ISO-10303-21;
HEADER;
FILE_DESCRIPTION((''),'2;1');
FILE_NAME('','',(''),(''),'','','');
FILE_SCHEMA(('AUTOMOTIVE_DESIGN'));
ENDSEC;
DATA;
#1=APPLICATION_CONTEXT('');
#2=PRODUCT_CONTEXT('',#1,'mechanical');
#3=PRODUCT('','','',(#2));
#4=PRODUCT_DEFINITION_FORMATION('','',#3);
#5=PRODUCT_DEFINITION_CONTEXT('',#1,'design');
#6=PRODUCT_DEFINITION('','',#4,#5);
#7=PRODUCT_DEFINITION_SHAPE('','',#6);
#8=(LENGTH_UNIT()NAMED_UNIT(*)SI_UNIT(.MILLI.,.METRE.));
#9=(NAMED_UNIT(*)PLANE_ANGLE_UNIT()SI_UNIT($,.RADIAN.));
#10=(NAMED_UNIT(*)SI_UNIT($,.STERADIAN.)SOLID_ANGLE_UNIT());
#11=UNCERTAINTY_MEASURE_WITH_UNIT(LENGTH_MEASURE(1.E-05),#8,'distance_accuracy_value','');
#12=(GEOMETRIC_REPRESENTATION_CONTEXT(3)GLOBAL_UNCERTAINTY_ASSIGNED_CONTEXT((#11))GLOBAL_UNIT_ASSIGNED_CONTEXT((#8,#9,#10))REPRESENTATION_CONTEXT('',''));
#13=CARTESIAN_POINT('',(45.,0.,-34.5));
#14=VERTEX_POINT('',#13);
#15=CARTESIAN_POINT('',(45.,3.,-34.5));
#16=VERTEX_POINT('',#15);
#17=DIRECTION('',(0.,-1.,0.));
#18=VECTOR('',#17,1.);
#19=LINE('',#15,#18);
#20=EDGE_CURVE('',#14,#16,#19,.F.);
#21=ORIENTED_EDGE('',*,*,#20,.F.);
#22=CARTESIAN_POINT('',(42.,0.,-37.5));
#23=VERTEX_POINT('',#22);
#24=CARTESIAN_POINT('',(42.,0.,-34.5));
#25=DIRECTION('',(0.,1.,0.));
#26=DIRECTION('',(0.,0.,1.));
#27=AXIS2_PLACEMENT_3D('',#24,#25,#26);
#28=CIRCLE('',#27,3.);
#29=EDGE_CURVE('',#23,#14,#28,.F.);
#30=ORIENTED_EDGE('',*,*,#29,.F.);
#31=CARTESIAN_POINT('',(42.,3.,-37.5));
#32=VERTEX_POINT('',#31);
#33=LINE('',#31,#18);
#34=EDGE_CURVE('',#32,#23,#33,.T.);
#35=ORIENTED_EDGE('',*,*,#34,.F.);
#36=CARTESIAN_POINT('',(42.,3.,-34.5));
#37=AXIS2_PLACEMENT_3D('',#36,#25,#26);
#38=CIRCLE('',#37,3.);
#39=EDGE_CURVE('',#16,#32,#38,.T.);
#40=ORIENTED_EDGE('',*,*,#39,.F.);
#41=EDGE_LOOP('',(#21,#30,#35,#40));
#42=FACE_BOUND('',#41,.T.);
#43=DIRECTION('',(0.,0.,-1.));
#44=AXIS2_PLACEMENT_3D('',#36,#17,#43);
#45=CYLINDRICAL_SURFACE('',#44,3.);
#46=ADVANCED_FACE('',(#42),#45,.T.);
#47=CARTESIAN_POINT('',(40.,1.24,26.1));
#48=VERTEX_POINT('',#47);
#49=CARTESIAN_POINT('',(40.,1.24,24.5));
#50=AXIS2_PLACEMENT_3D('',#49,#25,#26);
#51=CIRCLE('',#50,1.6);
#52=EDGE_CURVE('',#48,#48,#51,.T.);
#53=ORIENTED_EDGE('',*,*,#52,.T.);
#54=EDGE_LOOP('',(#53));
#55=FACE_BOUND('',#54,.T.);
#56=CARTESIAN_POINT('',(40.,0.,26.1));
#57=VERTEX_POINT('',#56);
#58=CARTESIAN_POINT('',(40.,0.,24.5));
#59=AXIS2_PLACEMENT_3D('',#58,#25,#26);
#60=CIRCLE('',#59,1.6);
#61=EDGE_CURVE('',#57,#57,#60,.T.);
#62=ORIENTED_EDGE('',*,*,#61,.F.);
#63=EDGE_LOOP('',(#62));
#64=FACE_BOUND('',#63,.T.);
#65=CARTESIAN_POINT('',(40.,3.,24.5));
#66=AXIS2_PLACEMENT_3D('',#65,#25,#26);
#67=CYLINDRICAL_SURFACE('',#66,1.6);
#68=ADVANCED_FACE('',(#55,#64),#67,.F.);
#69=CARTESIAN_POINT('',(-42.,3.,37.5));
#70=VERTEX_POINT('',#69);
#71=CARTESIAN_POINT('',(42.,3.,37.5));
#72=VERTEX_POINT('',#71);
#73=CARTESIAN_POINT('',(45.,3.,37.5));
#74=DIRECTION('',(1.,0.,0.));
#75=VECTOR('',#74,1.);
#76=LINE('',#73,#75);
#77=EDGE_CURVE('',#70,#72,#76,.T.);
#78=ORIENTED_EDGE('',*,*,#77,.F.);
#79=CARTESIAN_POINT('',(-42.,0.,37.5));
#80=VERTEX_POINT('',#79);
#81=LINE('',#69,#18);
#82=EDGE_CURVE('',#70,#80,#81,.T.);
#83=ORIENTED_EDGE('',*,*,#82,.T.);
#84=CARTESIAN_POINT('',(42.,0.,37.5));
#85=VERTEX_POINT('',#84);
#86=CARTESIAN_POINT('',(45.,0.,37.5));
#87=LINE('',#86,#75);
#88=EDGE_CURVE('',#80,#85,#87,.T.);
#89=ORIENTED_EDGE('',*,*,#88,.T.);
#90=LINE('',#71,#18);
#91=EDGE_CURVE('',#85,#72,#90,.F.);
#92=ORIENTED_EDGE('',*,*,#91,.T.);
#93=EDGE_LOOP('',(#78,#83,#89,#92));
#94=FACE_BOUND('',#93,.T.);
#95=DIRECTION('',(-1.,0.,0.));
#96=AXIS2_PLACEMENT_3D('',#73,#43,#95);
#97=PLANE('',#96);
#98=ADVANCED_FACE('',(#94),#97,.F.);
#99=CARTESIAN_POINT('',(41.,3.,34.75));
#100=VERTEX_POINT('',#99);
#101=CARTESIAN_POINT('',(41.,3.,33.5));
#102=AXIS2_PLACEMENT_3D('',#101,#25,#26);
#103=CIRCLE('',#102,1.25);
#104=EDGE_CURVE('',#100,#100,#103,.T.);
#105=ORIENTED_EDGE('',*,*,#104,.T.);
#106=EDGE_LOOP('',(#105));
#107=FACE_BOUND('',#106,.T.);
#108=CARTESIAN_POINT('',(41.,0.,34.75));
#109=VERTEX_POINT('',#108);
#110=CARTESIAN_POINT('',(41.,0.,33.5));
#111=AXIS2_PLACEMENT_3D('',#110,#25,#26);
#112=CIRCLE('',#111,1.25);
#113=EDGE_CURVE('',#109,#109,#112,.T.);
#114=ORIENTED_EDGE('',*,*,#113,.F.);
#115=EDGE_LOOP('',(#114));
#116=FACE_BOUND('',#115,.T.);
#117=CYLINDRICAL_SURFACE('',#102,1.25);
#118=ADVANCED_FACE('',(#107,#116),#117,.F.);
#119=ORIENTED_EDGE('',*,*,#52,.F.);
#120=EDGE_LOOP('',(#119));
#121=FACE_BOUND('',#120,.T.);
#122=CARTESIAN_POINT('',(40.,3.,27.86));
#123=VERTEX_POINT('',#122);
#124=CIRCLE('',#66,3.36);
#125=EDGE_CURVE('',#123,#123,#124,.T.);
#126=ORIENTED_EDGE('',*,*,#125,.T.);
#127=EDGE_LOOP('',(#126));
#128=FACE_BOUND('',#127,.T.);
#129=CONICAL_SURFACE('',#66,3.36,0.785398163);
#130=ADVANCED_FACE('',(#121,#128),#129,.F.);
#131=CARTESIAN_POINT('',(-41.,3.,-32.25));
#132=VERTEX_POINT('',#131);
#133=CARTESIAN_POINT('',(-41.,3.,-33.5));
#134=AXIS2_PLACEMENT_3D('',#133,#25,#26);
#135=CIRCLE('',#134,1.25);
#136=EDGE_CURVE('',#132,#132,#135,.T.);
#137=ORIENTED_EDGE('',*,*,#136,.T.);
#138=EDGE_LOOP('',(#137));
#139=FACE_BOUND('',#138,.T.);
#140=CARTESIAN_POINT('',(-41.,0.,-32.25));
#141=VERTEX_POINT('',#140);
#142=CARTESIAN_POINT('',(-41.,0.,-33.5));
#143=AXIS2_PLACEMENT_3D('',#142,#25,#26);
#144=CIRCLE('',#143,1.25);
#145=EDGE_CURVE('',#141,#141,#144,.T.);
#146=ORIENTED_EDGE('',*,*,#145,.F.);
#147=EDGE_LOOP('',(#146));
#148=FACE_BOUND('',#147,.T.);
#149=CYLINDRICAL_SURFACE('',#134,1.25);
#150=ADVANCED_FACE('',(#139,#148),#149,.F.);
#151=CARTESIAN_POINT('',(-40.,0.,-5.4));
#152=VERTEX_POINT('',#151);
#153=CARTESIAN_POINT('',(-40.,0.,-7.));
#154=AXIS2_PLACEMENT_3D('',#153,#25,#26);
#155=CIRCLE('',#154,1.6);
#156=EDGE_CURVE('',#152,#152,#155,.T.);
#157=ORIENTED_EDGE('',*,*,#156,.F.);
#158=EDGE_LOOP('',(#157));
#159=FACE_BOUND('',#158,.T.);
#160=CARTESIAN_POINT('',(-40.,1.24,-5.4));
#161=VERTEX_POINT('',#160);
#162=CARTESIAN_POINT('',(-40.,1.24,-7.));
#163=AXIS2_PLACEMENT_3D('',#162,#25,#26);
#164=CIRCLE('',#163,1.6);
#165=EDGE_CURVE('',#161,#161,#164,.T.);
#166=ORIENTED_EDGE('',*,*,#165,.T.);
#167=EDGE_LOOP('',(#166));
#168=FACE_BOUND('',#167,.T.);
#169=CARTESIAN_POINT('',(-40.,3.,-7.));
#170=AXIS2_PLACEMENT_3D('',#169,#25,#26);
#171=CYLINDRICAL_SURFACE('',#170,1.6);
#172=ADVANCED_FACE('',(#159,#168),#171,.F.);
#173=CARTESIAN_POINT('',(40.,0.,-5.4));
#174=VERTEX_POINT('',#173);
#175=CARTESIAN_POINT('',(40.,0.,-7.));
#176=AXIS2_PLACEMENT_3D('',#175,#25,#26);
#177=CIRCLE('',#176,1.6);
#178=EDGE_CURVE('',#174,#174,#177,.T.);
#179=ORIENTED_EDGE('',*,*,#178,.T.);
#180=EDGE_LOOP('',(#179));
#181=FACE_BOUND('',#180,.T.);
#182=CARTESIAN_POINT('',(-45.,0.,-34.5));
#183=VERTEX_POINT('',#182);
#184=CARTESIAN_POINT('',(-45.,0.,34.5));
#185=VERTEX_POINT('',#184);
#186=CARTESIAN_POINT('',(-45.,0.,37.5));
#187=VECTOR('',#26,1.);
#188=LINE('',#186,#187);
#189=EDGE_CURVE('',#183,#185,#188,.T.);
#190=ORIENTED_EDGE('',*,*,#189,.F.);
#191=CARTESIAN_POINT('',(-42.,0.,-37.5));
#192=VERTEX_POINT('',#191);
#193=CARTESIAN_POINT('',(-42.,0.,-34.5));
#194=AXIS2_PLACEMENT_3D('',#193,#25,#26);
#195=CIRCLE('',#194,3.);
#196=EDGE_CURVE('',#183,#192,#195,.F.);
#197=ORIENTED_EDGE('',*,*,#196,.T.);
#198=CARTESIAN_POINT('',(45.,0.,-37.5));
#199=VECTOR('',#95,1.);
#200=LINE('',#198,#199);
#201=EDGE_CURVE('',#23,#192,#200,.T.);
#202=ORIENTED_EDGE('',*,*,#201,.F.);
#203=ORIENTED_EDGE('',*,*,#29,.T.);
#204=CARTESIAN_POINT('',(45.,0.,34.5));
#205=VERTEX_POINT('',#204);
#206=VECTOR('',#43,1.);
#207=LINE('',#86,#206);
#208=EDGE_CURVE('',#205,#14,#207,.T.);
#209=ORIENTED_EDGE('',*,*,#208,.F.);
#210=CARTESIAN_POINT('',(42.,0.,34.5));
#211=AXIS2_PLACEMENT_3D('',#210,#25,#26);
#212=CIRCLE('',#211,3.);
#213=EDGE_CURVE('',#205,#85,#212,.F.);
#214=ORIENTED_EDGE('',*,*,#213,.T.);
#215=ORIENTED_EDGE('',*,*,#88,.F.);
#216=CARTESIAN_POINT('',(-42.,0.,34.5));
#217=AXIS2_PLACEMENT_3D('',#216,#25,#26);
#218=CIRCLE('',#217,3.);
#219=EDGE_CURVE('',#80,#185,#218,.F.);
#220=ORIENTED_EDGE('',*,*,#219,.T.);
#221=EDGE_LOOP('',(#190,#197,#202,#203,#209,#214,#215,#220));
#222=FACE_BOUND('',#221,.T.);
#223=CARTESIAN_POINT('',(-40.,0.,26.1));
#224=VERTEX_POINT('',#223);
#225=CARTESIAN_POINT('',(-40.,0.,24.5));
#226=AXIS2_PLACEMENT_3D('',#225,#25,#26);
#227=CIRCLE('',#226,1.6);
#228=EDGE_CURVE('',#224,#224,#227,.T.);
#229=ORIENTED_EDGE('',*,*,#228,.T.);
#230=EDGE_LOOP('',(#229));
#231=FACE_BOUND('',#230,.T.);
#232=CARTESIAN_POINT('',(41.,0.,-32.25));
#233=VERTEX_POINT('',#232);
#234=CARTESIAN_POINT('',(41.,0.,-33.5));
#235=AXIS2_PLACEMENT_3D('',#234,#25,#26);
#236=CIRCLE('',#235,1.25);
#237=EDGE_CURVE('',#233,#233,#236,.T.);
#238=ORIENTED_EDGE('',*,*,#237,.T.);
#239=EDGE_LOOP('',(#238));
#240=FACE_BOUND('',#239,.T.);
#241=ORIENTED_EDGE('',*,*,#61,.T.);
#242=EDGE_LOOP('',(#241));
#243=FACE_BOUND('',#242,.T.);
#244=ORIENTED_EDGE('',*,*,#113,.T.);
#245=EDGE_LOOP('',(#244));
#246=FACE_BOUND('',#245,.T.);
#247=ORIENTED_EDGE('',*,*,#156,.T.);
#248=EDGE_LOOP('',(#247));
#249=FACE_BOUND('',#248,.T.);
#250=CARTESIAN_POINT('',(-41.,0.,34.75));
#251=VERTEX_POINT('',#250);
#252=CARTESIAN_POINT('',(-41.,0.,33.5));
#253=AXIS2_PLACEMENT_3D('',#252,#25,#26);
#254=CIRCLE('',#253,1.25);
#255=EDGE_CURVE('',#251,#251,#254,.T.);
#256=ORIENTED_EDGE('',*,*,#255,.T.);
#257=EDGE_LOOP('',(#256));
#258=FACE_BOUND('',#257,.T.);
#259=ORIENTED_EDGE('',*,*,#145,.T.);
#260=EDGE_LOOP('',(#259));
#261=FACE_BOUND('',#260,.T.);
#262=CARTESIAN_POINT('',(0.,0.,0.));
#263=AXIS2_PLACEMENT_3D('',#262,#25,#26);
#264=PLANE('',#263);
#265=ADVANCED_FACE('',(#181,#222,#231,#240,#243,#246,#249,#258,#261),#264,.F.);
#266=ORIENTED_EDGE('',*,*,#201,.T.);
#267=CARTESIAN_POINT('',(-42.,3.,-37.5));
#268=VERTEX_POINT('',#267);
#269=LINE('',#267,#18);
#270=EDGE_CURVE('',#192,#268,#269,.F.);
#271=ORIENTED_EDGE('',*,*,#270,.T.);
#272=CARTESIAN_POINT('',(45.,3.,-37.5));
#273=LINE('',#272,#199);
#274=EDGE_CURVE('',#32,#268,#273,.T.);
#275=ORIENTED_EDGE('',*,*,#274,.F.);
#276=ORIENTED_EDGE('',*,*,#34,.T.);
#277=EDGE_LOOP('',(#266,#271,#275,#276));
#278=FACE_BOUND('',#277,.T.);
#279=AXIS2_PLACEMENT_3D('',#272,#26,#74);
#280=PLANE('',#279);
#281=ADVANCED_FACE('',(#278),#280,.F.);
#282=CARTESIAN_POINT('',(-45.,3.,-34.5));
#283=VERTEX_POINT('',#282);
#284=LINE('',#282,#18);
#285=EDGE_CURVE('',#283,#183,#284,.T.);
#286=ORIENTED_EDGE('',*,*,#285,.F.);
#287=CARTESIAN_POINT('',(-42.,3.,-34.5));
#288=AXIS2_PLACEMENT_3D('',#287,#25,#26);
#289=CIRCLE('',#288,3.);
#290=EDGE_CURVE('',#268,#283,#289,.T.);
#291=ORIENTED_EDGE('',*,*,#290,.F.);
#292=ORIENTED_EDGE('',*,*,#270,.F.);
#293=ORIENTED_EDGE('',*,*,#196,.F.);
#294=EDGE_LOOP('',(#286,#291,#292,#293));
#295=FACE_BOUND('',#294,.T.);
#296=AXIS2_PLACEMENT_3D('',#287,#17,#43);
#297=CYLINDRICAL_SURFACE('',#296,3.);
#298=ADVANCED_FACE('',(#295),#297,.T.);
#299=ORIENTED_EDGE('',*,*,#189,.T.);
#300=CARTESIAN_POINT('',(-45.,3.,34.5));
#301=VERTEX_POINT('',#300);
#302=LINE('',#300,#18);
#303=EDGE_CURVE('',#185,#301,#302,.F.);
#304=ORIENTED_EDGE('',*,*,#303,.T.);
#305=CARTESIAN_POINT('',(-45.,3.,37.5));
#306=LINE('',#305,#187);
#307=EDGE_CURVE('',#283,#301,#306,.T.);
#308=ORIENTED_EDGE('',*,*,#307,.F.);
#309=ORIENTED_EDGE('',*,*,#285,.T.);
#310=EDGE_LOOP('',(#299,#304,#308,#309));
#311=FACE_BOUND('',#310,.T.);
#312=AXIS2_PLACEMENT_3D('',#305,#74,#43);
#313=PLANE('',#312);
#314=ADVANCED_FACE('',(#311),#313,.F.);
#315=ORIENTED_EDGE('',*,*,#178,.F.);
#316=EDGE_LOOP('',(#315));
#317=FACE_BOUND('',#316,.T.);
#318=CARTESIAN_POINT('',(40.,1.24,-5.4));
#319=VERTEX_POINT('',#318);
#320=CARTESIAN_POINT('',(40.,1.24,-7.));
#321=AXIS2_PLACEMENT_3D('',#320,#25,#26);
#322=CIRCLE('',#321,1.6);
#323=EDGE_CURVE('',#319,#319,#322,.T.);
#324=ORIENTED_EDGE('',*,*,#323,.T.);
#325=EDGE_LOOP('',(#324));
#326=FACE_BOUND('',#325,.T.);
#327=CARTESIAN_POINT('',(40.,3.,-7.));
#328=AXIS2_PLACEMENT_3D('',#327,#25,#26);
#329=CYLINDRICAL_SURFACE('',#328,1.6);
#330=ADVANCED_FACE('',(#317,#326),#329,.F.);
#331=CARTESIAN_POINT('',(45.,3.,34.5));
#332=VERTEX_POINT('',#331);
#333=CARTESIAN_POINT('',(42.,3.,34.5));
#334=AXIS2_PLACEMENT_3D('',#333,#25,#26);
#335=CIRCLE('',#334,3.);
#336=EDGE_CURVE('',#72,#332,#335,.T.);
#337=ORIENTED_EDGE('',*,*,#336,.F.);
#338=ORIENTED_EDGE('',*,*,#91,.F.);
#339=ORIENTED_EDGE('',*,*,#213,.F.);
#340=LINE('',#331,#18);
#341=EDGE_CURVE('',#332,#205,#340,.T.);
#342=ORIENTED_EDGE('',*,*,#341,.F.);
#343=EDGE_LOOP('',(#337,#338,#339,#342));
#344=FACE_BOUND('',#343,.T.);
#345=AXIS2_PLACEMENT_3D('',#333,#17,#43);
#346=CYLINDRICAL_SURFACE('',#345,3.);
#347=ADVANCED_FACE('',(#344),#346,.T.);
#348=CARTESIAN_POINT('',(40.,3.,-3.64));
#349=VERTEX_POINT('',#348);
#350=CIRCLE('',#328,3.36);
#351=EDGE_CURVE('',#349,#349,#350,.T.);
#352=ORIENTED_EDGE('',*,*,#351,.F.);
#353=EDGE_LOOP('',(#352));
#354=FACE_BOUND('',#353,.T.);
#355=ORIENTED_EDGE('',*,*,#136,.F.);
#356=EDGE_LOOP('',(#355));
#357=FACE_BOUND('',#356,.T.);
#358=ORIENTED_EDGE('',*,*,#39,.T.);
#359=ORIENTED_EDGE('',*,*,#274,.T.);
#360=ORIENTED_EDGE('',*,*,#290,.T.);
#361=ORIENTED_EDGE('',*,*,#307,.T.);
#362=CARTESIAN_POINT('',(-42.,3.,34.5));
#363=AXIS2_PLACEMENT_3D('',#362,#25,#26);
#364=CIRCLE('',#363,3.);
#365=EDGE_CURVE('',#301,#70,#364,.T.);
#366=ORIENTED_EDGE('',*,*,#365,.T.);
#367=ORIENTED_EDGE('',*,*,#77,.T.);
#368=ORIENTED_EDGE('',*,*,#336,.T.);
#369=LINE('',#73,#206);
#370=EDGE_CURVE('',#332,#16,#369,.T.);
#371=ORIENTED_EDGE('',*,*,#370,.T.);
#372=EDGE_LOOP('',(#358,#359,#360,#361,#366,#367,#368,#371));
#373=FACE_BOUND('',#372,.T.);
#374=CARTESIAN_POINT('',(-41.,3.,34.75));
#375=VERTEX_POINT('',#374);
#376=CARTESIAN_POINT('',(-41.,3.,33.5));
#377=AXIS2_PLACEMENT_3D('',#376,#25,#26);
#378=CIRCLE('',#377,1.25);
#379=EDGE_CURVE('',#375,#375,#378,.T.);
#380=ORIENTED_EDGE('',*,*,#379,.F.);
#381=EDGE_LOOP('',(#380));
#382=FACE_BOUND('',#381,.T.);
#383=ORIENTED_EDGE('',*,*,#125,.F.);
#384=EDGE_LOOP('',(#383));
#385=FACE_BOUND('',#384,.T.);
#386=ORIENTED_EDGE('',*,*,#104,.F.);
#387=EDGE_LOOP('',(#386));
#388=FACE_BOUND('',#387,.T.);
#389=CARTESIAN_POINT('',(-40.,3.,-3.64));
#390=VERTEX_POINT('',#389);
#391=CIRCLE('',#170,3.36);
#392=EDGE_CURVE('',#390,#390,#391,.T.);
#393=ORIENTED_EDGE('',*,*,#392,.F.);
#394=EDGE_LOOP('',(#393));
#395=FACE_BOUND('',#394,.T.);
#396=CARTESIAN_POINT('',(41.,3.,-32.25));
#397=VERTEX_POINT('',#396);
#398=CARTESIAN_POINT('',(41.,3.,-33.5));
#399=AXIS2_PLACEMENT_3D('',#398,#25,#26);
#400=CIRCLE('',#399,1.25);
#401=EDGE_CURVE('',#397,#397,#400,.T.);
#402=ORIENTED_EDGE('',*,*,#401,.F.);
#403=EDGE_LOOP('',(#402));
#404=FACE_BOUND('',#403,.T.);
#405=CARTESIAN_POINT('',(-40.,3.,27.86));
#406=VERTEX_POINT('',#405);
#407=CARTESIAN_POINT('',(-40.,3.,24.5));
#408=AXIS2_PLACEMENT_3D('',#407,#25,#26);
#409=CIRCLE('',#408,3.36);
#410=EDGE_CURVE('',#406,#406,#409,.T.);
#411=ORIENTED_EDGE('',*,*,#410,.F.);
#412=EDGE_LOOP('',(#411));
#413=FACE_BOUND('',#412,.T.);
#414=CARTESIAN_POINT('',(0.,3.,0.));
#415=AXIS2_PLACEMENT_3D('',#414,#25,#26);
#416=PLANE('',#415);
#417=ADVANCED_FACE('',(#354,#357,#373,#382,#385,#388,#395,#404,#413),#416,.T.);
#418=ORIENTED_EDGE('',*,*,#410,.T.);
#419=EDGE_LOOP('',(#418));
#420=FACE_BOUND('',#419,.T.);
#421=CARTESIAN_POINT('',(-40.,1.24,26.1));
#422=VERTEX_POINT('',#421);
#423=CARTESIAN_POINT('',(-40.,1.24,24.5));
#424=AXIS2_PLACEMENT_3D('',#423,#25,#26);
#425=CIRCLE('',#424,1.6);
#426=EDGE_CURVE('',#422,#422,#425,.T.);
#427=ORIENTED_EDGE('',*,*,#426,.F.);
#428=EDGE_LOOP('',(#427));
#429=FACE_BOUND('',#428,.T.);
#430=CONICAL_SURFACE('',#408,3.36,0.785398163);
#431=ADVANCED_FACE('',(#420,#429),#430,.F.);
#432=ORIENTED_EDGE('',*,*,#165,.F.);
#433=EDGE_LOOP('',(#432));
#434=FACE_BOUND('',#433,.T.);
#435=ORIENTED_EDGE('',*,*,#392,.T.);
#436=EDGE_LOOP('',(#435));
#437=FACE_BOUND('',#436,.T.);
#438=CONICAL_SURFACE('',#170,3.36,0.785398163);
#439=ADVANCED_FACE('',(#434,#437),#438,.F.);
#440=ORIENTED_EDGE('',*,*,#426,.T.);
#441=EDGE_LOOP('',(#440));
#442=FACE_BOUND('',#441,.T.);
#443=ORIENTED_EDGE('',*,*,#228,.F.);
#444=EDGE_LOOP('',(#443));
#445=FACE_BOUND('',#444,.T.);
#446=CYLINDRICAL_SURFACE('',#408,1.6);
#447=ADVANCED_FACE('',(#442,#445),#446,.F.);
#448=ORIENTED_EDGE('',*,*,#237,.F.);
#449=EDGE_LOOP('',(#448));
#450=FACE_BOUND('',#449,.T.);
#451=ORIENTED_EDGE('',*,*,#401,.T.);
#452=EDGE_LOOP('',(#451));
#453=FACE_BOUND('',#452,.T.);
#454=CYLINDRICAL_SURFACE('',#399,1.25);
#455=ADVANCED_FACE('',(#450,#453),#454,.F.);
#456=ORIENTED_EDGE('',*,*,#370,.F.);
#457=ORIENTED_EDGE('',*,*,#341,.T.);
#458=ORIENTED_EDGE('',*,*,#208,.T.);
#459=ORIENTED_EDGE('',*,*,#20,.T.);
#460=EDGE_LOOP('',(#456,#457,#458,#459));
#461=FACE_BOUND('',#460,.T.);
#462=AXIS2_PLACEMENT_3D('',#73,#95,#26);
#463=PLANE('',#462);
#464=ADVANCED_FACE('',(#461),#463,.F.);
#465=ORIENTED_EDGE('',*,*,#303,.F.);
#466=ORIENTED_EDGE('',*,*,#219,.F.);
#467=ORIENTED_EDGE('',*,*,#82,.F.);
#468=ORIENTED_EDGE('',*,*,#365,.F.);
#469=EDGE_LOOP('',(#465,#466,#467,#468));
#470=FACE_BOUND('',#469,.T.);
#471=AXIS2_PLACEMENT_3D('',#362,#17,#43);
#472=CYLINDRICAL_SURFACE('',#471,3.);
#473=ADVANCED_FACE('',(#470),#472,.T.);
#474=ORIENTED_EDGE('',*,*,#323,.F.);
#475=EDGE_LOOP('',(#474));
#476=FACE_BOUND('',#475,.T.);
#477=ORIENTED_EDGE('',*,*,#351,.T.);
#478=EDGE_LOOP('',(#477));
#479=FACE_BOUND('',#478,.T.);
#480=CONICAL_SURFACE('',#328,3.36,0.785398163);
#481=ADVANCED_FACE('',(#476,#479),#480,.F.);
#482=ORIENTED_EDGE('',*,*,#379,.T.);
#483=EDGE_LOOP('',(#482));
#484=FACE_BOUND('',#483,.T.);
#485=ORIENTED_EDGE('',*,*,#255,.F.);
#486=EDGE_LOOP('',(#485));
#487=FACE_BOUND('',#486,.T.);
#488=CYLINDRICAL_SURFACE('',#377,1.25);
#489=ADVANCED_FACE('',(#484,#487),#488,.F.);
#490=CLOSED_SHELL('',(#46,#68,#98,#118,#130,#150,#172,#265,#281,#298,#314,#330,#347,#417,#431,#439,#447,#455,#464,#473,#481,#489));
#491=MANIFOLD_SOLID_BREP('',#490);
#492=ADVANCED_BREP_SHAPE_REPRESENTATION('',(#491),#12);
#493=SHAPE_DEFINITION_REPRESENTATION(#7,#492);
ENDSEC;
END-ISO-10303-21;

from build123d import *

# Parameters (mm, degrees)
SKETCH1_W                    = 90
SKETCH1_H                    = 75
BOSS_EXTRUDE1_DEPTH          = 3
TAP_DRILL_FOR_M3X0_5_TAP1_D  = 2.5
FILLET1_R                    = 3
CSK_FOR_M3_SFHCS1_AT_2_COUNT = 2
CSK_FOR_M3_SFHCS1_AT_2_PITCH = 31.5
CSK_FOR_M3_SFHCS1_AT_3_COUNT = 2
CSK_FOR_M3_SFHCS1_AT_3_PITCH = 85.97819491
CSK_FOR_M3_SFHCS1_AT_4_COUNT = 2
CSK_FOR_M3_SFHCS1_AT_4_PITCH = 80


with BuildPart() as part:
    # Sketch1 → Boss-Extrude1 (new body)
    with BuildSketch(Plane(origin=(0, 0, 0), x_dir=(1, 0, 0), z_dir=(0, 1, 0))):
        Rectangle(SKETCH1_W, SKETCH1_H)
    extrude(amount=BOSS_EXTRUDE1_DEPTH)

    # Tap Drill for M3x0.5 Tap1 (through all)
    with Locations(Plane(origin=(0, 3, 0), x_dir=(1, 0, 0), z_dir=(0, 1, 0))):
        with Locations((-41, 33.5), (-41, -33.5), (41, -33.5), (41, 33.5)):
            Hole(TAP_DRILL_FOR_M3X0_5_TAP1_D / 2)

    # Fillet1
    fillet1_edges = [part.edges().sort_by_distance(p)[0] for p in [
        (-45, 1.5, -37.5),
        (45, 1.5, -37.5),
        (45, 1.5, 37.5),
        (-45, 1.5, 37.5),
    ]]
    fillet(fillet1_edges, radius=FILLET1_R)

    # Sketch7 → CSK for M3 SFHCS1 (revolve, cut)
    with BuildSketch(Plane(origin=(-40, 3, -7), x_dir=(0, 0, 1), z_dir=(1, 0, 0))):
        Polygon((0, 0), (0, 3), (1.6, 3), (1.6, 1.76), (3.36, 0), align=None)
    csk_for_m3_sfhcs1 = revolve(axis=Axis((-40, 9.35, -7), (0, -1, 0)), mode=Mode.SUBTRACT)

    # CSK for M3 SFHCS1 at 2: CSK for M3 SFHCS1 ×2
    with Locations(*[(0, 0, i * CSK_FOR_M3_SFHCS1_AT_2_PITCH) for i in range(1, CSK_FOR_M3_SFHCS1_AT_2_COUNT)]):
        add(csk_for_m3_sfhcs1, mode=Mode.SUBTRACT)

    # CSK for M3 SFHCS1 at 3: CSK for M3 SFHCS1 ×2
    with Locations(*[Vector(0.9304684761484525, 0, 0.36637196248345316) * (i * CSK_FOR_M3_SFHCS1_AT_3_PITCH) for i in range(1, CSK_FOR_M3_SFHCS1_AT_3_COUNT)]):
        add(csk_for_m3_sfhcs1, mode=Mode.SUBTRACT)

    # CSK for M3 SFHCS1 at 4: CSK for M3 SFHCS1 ×2
    with Locations(*[(i * CSK_FOR_M3_SFHCS1_AT_4_PITCH, 0, 0) for i in range(1, CSK_FOR_M3_SFHCS1_AT_4_COUNT)]):
        add(csk_for_m3_sfhcs1, mode=Mode.SUBTRACT)


solid = part.part
